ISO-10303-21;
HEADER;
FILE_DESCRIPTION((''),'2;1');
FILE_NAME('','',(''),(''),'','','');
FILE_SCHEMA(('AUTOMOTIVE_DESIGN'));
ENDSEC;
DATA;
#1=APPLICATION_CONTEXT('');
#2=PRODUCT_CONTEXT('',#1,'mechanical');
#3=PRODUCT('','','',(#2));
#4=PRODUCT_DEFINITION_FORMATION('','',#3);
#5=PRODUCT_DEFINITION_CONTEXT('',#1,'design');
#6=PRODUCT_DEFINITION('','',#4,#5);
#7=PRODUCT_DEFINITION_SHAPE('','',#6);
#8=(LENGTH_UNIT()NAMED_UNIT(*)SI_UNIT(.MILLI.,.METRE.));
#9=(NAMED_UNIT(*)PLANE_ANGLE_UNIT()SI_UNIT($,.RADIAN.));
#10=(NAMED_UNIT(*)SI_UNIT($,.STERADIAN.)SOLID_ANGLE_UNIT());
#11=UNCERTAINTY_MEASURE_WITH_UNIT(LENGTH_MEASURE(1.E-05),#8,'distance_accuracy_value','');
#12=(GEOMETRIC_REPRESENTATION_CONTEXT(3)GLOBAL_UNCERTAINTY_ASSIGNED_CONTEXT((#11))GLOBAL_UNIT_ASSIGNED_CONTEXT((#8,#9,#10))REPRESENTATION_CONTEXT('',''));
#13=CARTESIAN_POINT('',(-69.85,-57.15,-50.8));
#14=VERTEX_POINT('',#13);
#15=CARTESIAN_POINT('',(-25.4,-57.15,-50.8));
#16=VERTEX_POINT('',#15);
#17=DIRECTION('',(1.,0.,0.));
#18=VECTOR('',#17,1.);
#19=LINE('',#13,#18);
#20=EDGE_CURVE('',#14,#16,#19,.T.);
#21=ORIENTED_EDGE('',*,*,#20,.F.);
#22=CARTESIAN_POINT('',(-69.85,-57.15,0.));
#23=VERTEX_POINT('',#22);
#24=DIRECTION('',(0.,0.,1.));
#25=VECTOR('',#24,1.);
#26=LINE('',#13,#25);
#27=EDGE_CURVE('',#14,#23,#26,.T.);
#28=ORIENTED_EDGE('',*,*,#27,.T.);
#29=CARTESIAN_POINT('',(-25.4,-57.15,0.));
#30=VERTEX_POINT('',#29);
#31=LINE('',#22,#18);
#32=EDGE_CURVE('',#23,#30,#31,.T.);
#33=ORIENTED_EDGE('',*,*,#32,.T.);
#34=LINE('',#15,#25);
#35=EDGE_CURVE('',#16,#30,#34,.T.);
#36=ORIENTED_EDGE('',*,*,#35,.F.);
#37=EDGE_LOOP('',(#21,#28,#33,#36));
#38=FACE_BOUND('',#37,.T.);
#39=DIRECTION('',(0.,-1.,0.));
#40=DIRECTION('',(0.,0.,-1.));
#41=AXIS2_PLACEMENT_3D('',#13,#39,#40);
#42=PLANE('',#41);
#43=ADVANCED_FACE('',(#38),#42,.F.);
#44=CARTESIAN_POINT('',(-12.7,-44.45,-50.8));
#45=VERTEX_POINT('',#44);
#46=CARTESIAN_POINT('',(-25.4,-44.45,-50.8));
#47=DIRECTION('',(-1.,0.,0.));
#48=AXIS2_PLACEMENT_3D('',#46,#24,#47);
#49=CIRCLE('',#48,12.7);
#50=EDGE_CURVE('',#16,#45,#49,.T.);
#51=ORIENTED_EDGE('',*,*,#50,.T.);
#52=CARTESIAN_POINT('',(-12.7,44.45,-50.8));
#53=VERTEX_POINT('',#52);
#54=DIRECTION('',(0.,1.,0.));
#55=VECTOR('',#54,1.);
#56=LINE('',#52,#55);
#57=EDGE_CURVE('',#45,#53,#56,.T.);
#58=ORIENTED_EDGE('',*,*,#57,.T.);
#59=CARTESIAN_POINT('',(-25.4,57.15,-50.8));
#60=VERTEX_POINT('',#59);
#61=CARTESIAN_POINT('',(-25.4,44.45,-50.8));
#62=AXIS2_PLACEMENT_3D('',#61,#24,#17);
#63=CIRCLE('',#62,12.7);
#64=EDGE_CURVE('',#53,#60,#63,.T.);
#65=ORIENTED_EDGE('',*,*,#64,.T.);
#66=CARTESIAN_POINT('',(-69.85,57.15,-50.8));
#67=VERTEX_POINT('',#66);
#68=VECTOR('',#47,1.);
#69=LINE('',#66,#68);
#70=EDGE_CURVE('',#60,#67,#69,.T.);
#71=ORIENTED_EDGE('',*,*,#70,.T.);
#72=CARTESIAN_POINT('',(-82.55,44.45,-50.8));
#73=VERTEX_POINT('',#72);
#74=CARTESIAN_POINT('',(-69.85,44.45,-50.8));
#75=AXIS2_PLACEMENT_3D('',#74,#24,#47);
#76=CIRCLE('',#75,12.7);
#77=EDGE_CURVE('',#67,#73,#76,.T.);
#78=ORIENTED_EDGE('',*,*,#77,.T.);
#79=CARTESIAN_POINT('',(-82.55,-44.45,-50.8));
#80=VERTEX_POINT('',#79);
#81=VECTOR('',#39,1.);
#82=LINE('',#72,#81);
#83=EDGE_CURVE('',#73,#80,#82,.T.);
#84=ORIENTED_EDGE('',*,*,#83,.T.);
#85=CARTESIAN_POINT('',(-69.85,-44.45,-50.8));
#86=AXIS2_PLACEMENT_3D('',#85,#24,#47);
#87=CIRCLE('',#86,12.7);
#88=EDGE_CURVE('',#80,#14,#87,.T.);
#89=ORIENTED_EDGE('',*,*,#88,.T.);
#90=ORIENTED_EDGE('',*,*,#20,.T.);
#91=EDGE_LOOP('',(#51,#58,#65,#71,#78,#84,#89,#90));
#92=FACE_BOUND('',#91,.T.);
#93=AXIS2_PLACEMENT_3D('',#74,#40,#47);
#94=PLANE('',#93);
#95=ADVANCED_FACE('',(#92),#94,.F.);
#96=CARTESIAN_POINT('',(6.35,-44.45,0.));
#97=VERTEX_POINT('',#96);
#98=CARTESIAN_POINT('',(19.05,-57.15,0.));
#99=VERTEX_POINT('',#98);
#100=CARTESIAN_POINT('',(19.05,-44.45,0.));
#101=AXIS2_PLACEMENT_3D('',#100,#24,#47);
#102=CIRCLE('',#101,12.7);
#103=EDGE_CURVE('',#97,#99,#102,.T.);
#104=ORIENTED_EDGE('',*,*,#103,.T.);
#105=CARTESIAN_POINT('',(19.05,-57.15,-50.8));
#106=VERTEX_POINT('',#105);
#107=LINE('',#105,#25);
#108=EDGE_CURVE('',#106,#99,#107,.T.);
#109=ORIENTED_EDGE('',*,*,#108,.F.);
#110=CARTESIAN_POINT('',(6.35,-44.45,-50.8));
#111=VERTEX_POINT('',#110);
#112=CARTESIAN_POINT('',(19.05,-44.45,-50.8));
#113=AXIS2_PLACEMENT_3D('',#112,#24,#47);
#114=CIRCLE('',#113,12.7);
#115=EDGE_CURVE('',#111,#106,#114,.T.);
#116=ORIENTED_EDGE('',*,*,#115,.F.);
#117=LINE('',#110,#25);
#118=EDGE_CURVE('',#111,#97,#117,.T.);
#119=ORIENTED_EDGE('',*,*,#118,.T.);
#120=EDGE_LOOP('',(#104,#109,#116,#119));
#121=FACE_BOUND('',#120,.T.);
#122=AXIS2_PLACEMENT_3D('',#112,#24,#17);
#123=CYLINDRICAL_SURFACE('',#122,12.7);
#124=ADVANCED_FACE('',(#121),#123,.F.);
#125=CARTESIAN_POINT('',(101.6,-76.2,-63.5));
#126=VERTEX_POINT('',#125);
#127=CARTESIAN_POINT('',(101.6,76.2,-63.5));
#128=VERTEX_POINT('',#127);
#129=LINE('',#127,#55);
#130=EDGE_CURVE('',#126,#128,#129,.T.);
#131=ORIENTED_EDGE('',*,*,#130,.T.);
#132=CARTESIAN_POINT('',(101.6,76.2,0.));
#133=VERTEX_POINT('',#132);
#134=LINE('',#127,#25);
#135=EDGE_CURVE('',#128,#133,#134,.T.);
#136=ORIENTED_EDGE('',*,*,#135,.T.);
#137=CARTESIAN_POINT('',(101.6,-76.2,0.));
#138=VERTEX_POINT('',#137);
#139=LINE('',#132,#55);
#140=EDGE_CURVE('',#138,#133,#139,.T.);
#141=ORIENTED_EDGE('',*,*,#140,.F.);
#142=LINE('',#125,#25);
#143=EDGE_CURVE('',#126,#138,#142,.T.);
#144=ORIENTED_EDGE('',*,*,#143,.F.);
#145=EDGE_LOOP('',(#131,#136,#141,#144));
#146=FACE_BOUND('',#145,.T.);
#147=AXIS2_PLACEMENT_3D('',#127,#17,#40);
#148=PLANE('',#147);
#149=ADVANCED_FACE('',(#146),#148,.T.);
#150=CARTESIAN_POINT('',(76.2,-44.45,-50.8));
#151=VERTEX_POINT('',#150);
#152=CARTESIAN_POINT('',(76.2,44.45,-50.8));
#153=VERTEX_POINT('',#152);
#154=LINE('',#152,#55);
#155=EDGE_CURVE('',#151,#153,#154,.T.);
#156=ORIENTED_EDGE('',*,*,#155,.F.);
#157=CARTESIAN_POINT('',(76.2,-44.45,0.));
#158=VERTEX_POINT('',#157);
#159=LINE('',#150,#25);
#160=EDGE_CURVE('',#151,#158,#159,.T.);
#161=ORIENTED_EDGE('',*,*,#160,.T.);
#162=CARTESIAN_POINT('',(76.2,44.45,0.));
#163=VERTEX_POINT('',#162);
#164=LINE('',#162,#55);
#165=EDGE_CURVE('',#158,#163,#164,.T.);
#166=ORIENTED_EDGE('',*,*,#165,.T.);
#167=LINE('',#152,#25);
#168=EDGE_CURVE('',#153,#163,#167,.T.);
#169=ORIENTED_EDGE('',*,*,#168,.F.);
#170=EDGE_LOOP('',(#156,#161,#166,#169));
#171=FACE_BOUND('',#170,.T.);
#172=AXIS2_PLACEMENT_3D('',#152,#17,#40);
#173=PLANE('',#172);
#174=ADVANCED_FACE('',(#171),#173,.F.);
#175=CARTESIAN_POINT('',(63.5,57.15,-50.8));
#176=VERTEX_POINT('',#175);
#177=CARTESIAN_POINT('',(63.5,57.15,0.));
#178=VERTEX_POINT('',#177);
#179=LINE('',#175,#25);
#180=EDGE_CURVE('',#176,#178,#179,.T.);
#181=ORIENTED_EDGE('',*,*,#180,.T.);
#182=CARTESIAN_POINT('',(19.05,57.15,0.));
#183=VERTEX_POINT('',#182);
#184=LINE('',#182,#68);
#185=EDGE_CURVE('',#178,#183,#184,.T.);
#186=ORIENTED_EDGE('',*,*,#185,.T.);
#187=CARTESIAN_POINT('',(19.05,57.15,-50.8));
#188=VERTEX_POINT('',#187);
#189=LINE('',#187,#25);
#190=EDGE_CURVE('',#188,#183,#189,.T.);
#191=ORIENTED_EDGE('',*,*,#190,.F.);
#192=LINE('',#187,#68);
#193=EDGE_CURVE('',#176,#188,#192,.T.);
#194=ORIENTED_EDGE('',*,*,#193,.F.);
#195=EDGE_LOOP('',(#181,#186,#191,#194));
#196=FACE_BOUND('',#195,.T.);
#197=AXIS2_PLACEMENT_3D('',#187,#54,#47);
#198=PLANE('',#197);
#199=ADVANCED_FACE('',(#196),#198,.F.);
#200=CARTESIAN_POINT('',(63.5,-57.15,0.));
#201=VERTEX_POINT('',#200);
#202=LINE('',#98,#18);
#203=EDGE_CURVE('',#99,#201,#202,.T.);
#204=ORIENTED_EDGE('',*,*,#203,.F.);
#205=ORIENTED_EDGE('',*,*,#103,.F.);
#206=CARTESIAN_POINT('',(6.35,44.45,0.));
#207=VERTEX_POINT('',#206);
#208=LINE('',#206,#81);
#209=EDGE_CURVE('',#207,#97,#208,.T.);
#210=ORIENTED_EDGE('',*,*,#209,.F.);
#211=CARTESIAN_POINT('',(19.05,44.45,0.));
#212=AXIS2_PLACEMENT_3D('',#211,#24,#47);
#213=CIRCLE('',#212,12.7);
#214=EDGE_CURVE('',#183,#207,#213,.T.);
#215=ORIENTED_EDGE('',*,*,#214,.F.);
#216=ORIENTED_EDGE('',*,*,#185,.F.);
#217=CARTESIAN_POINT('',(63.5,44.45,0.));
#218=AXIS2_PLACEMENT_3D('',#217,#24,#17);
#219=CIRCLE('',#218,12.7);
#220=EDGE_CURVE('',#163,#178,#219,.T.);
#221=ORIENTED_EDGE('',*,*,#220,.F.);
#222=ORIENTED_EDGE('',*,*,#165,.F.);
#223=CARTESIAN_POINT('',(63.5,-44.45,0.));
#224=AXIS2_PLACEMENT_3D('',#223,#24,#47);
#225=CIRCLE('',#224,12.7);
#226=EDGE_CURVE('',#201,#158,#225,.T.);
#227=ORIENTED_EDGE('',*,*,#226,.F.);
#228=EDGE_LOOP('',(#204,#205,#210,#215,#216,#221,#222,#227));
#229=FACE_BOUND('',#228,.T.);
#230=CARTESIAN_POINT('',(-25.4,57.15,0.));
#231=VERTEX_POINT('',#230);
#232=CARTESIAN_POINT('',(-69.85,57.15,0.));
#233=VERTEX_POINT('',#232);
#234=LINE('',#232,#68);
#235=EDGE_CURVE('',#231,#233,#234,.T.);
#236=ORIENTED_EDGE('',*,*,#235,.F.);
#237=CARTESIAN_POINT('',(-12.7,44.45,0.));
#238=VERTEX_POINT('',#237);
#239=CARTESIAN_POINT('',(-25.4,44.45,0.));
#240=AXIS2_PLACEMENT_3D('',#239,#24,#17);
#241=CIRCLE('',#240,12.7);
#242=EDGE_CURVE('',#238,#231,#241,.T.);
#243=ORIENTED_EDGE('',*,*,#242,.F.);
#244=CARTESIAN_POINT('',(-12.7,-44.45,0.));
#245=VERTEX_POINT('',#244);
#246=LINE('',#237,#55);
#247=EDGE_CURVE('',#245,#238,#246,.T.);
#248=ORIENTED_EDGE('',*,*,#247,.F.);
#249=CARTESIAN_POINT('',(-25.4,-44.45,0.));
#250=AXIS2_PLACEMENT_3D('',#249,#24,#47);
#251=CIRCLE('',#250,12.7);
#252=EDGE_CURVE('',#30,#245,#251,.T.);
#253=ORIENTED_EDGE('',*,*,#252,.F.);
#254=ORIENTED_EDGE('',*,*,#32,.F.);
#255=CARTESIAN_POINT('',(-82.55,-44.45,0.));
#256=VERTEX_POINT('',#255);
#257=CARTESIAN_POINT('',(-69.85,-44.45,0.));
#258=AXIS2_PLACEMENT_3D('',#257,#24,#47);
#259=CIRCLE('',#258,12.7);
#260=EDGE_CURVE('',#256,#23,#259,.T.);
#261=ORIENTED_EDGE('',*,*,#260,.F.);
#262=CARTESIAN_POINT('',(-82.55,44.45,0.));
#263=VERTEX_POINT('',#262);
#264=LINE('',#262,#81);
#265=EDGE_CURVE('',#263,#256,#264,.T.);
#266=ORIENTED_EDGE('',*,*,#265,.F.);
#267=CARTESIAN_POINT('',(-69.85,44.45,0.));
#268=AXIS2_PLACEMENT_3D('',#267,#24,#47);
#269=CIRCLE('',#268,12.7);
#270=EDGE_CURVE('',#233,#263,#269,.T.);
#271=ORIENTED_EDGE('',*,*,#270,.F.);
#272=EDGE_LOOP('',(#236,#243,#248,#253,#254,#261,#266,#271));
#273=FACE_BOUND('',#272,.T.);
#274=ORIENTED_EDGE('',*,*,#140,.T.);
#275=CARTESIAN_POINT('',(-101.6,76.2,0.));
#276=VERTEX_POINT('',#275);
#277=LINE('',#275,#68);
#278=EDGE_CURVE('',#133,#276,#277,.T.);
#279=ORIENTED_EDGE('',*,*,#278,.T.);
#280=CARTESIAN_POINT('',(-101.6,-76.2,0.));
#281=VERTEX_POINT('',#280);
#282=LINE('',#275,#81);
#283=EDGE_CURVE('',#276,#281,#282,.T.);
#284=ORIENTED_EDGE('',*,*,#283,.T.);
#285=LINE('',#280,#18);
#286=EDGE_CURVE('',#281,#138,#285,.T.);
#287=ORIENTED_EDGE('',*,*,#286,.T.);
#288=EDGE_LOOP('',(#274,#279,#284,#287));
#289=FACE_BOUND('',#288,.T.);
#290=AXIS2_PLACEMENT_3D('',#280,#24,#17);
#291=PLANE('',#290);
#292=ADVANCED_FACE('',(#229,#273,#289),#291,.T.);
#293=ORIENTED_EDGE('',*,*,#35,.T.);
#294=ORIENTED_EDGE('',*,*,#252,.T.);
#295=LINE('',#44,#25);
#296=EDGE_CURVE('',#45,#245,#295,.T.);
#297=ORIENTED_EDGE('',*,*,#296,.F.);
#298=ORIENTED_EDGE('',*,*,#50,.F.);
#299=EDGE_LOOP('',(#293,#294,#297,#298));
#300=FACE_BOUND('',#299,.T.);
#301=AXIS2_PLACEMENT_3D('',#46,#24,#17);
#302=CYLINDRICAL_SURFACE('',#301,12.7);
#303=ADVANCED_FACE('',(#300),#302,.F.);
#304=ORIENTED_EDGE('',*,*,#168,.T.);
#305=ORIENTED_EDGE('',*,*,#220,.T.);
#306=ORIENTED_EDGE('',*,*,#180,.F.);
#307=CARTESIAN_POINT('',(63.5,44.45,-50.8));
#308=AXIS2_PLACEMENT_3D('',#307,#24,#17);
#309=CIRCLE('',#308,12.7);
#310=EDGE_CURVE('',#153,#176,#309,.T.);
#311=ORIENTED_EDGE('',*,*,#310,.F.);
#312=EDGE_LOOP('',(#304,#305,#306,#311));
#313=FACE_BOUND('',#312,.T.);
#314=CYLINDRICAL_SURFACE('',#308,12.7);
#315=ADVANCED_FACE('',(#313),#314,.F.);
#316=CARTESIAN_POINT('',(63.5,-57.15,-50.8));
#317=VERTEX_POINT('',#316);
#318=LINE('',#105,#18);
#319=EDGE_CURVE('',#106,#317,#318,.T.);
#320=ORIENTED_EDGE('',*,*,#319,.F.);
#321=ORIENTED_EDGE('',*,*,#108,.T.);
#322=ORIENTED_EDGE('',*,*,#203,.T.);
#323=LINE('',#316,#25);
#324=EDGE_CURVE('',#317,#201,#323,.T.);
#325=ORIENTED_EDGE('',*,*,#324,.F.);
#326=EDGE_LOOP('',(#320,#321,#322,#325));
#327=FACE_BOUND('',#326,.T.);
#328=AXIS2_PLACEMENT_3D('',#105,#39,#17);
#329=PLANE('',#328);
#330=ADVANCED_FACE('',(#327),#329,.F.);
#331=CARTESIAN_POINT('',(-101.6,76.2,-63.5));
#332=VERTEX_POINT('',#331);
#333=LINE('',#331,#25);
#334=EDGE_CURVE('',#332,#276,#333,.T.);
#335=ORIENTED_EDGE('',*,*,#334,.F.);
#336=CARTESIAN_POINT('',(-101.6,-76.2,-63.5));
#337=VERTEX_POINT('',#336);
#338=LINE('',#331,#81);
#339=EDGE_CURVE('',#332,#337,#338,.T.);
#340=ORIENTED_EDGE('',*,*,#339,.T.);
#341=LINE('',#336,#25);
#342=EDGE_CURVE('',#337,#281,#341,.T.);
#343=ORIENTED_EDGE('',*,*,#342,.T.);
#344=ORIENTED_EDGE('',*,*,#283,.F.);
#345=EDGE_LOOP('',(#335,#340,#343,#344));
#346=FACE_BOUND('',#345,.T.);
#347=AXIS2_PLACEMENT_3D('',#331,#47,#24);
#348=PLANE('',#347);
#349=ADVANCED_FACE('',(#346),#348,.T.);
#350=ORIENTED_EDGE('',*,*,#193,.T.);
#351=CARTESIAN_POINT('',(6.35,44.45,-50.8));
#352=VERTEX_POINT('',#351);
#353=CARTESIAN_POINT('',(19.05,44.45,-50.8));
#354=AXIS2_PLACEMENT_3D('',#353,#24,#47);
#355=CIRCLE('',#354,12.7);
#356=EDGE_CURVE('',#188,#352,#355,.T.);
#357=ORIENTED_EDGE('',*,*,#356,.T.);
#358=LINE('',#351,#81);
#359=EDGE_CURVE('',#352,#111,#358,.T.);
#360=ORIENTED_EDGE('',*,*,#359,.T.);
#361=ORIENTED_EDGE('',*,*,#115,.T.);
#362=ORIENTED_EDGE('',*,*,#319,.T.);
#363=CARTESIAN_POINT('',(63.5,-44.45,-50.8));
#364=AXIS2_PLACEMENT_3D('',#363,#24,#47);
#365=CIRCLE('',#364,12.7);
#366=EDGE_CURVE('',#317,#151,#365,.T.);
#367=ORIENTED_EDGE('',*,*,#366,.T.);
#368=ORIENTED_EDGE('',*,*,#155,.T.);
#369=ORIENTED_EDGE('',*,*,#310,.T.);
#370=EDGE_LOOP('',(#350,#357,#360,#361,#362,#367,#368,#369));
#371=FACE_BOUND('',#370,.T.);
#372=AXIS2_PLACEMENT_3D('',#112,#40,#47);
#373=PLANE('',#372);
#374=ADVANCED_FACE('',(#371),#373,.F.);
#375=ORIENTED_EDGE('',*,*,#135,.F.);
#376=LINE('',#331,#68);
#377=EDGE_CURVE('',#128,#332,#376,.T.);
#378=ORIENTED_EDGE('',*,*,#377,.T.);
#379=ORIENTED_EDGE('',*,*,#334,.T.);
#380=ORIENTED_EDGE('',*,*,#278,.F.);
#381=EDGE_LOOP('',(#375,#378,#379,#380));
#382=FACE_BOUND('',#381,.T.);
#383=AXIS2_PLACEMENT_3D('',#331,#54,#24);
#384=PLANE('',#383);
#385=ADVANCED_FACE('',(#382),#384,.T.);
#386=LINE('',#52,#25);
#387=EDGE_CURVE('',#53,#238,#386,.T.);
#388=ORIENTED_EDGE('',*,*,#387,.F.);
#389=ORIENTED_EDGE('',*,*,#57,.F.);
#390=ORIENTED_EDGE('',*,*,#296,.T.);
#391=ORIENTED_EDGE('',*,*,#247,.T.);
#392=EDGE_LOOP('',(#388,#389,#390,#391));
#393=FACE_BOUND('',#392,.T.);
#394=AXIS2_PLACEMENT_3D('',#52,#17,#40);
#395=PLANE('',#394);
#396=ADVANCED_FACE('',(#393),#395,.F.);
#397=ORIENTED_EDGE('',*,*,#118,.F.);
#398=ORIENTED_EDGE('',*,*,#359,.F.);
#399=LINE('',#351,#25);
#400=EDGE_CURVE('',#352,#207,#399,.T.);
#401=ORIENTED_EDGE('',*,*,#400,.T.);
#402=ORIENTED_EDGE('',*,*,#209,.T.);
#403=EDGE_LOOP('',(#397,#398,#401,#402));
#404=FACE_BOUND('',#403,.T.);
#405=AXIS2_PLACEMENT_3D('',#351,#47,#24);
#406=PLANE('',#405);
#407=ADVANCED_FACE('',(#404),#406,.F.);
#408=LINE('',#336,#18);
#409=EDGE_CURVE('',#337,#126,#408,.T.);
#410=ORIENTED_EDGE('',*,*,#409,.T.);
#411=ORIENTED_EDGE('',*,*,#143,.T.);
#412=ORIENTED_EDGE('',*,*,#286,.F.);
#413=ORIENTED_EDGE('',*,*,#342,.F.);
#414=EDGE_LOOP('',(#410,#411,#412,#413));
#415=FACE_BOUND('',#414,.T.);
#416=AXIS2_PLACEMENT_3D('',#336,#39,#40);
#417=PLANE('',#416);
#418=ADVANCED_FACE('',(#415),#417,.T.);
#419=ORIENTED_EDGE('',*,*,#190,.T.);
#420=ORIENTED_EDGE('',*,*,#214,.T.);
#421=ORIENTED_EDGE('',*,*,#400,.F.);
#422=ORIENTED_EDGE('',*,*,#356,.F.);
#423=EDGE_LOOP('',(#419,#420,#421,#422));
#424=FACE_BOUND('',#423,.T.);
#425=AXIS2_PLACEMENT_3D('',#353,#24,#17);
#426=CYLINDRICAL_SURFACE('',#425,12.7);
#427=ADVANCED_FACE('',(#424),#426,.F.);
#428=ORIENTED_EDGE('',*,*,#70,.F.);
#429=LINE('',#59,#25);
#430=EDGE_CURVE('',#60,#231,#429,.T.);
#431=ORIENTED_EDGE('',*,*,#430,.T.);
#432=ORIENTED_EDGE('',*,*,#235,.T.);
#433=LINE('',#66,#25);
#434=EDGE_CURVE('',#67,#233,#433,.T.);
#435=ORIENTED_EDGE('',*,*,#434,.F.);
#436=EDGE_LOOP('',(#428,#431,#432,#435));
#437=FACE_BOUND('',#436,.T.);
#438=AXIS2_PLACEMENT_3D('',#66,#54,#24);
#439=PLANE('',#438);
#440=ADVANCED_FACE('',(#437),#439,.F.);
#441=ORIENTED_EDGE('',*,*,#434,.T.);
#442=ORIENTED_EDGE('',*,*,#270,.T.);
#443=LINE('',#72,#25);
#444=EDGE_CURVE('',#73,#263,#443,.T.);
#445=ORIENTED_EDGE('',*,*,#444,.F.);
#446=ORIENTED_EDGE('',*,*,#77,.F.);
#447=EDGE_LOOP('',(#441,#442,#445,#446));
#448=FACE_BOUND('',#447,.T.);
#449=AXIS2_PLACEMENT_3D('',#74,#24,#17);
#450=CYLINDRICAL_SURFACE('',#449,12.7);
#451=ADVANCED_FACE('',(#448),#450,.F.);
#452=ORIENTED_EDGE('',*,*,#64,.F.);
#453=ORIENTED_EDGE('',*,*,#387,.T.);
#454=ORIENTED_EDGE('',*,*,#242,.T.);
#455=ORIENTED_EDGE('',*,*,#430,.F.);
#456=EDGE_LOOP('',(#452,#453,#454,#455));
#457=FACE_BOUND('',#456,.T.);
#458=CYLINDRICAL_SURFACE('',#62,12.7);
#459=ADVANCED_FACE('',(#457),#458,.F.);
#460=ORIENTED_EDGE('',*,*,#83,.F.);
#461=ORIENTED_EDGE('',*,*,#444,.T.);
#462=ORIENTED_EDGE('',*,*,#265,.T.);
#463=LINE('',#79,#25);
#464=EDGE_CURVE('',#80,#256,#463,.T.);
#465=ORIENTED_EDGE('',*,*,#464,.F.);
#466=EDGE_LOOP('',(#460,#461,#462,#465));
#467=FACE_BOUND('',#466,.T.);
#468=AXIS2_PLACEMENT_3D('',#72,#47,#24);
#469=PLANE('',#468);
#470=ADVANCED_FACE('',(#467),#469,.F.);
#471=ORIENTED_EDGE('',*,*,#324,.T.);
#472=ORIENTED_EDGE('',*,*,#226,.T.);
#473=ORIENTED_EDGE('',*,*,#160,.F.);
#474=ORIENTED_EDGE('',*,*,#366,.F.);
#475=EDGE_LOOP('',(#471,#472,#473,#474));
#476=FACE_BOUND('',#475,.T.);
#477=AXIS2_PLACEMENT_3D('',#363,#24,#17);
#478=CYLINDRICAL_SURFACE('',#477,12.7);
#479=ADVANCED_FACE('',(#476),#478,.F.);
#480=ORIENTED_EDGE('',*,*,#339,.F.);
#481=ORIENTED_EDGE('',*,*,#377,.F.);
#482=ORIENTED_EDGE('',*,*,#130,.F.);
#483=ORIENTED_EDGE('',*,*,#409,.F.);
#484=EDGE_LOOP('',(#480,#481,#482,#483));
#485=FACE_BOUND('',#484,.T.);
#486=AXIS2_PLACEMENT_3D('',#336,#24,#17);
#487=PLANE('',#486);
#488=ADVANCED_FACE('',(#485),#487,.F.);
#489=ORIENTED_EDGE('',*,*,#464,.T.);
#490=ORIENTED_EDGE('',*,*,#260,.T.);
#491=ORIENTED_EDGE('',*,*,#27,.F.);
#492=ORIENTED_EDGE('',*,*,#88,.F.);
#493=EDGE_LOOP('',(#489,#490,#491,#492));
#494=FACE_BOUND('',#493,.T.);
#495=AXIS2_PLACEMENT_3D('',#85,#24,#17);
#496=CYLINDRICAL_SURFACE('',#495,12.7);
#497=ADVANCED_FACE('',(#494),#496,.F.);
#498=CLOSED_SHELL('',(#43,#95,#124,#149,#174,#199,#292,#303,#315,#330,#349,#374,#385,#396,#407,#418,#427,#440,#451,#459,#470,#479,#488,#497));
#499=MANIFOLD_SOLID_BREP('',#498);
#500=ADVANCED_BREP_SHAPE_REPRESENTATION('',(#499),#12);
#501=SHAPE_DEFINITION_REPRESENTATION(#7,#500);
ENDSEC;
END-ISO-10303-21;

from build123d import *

# Parameters (mm, degrees)
SKETCH1_W          = 203.2
SKETCH1_H          = 152.4
BASE_EXTRUDE_DEPTH = 63.5
CUT_EXTRUDE1_DEPTH = 50.8


with BuildPart() as part:
    # Sketch1 → Base-Extrude (new body)
    with BuildSketch(Plane.XY):
        Rectangle(SKETCH1_W, SKETCH1_H)
    extrude(amount=-BASE_EXTRUDE_DEPTH)

    # Sketch2 → Cut-Extrude1 (cut)
    with BuildSketch(Plane.XY):
        with BuildLine():
            Line((-69.85, 57.15), (-25.4, 57.15))
            ThreePointArc((-25.4, 57.15), (-16.419743879, 53.430256121), (-12.7, 44.45))
            Line((-12.7, 44.45), (-12.7, -44.45))
            ThreePointArc((-12.7, -44.45), (-16.419743879, -53.430256121), (-25.4, -57.15))
            Line((-25.4, -57.15), (-69.85, -57.15))
            ThreePointArc((-69.85, -57.15), (-78.830256121, -53.430256121), (-82.55, -44.45))
            Line((-82.55, -44.45), (-82.55, 44.45))
            ThreePointArc((-82.55, 44.45), (-78.830256121, 53.430256121), (-69.85, 57.15))
        make_face()
        with BuildLine():
            Line((19.05, 57.15), (63.5, 57.15))
            ThreePointArc((63.5, 57.15), (72.480256121, 53.430256121), (76.2, 44.45))
            Line((76.2, 44.45), (76.2, -44.45))
            ThreePointArc((76.2, -44.45), (72.480256121, -53.430256121), (63.5, -57.15))
            Line((63.5, -57.15), (19.05, -57.15))
            ThreePointArc((19.05, -57.15), (10.069743879, -53.430256121), (6.35, -44.45))
            Line((6.35, -44.45), (6.35, 44.45))
            ThreePointArc((6.35, 44.45), (10.069743879, 53.430256121), (19.05, 57.15))
        make_face()
    extrude(amount=-CUT_EXTRUDE1_DEPTH, mode=Mode.SUBTRACT)


solid = part.part
